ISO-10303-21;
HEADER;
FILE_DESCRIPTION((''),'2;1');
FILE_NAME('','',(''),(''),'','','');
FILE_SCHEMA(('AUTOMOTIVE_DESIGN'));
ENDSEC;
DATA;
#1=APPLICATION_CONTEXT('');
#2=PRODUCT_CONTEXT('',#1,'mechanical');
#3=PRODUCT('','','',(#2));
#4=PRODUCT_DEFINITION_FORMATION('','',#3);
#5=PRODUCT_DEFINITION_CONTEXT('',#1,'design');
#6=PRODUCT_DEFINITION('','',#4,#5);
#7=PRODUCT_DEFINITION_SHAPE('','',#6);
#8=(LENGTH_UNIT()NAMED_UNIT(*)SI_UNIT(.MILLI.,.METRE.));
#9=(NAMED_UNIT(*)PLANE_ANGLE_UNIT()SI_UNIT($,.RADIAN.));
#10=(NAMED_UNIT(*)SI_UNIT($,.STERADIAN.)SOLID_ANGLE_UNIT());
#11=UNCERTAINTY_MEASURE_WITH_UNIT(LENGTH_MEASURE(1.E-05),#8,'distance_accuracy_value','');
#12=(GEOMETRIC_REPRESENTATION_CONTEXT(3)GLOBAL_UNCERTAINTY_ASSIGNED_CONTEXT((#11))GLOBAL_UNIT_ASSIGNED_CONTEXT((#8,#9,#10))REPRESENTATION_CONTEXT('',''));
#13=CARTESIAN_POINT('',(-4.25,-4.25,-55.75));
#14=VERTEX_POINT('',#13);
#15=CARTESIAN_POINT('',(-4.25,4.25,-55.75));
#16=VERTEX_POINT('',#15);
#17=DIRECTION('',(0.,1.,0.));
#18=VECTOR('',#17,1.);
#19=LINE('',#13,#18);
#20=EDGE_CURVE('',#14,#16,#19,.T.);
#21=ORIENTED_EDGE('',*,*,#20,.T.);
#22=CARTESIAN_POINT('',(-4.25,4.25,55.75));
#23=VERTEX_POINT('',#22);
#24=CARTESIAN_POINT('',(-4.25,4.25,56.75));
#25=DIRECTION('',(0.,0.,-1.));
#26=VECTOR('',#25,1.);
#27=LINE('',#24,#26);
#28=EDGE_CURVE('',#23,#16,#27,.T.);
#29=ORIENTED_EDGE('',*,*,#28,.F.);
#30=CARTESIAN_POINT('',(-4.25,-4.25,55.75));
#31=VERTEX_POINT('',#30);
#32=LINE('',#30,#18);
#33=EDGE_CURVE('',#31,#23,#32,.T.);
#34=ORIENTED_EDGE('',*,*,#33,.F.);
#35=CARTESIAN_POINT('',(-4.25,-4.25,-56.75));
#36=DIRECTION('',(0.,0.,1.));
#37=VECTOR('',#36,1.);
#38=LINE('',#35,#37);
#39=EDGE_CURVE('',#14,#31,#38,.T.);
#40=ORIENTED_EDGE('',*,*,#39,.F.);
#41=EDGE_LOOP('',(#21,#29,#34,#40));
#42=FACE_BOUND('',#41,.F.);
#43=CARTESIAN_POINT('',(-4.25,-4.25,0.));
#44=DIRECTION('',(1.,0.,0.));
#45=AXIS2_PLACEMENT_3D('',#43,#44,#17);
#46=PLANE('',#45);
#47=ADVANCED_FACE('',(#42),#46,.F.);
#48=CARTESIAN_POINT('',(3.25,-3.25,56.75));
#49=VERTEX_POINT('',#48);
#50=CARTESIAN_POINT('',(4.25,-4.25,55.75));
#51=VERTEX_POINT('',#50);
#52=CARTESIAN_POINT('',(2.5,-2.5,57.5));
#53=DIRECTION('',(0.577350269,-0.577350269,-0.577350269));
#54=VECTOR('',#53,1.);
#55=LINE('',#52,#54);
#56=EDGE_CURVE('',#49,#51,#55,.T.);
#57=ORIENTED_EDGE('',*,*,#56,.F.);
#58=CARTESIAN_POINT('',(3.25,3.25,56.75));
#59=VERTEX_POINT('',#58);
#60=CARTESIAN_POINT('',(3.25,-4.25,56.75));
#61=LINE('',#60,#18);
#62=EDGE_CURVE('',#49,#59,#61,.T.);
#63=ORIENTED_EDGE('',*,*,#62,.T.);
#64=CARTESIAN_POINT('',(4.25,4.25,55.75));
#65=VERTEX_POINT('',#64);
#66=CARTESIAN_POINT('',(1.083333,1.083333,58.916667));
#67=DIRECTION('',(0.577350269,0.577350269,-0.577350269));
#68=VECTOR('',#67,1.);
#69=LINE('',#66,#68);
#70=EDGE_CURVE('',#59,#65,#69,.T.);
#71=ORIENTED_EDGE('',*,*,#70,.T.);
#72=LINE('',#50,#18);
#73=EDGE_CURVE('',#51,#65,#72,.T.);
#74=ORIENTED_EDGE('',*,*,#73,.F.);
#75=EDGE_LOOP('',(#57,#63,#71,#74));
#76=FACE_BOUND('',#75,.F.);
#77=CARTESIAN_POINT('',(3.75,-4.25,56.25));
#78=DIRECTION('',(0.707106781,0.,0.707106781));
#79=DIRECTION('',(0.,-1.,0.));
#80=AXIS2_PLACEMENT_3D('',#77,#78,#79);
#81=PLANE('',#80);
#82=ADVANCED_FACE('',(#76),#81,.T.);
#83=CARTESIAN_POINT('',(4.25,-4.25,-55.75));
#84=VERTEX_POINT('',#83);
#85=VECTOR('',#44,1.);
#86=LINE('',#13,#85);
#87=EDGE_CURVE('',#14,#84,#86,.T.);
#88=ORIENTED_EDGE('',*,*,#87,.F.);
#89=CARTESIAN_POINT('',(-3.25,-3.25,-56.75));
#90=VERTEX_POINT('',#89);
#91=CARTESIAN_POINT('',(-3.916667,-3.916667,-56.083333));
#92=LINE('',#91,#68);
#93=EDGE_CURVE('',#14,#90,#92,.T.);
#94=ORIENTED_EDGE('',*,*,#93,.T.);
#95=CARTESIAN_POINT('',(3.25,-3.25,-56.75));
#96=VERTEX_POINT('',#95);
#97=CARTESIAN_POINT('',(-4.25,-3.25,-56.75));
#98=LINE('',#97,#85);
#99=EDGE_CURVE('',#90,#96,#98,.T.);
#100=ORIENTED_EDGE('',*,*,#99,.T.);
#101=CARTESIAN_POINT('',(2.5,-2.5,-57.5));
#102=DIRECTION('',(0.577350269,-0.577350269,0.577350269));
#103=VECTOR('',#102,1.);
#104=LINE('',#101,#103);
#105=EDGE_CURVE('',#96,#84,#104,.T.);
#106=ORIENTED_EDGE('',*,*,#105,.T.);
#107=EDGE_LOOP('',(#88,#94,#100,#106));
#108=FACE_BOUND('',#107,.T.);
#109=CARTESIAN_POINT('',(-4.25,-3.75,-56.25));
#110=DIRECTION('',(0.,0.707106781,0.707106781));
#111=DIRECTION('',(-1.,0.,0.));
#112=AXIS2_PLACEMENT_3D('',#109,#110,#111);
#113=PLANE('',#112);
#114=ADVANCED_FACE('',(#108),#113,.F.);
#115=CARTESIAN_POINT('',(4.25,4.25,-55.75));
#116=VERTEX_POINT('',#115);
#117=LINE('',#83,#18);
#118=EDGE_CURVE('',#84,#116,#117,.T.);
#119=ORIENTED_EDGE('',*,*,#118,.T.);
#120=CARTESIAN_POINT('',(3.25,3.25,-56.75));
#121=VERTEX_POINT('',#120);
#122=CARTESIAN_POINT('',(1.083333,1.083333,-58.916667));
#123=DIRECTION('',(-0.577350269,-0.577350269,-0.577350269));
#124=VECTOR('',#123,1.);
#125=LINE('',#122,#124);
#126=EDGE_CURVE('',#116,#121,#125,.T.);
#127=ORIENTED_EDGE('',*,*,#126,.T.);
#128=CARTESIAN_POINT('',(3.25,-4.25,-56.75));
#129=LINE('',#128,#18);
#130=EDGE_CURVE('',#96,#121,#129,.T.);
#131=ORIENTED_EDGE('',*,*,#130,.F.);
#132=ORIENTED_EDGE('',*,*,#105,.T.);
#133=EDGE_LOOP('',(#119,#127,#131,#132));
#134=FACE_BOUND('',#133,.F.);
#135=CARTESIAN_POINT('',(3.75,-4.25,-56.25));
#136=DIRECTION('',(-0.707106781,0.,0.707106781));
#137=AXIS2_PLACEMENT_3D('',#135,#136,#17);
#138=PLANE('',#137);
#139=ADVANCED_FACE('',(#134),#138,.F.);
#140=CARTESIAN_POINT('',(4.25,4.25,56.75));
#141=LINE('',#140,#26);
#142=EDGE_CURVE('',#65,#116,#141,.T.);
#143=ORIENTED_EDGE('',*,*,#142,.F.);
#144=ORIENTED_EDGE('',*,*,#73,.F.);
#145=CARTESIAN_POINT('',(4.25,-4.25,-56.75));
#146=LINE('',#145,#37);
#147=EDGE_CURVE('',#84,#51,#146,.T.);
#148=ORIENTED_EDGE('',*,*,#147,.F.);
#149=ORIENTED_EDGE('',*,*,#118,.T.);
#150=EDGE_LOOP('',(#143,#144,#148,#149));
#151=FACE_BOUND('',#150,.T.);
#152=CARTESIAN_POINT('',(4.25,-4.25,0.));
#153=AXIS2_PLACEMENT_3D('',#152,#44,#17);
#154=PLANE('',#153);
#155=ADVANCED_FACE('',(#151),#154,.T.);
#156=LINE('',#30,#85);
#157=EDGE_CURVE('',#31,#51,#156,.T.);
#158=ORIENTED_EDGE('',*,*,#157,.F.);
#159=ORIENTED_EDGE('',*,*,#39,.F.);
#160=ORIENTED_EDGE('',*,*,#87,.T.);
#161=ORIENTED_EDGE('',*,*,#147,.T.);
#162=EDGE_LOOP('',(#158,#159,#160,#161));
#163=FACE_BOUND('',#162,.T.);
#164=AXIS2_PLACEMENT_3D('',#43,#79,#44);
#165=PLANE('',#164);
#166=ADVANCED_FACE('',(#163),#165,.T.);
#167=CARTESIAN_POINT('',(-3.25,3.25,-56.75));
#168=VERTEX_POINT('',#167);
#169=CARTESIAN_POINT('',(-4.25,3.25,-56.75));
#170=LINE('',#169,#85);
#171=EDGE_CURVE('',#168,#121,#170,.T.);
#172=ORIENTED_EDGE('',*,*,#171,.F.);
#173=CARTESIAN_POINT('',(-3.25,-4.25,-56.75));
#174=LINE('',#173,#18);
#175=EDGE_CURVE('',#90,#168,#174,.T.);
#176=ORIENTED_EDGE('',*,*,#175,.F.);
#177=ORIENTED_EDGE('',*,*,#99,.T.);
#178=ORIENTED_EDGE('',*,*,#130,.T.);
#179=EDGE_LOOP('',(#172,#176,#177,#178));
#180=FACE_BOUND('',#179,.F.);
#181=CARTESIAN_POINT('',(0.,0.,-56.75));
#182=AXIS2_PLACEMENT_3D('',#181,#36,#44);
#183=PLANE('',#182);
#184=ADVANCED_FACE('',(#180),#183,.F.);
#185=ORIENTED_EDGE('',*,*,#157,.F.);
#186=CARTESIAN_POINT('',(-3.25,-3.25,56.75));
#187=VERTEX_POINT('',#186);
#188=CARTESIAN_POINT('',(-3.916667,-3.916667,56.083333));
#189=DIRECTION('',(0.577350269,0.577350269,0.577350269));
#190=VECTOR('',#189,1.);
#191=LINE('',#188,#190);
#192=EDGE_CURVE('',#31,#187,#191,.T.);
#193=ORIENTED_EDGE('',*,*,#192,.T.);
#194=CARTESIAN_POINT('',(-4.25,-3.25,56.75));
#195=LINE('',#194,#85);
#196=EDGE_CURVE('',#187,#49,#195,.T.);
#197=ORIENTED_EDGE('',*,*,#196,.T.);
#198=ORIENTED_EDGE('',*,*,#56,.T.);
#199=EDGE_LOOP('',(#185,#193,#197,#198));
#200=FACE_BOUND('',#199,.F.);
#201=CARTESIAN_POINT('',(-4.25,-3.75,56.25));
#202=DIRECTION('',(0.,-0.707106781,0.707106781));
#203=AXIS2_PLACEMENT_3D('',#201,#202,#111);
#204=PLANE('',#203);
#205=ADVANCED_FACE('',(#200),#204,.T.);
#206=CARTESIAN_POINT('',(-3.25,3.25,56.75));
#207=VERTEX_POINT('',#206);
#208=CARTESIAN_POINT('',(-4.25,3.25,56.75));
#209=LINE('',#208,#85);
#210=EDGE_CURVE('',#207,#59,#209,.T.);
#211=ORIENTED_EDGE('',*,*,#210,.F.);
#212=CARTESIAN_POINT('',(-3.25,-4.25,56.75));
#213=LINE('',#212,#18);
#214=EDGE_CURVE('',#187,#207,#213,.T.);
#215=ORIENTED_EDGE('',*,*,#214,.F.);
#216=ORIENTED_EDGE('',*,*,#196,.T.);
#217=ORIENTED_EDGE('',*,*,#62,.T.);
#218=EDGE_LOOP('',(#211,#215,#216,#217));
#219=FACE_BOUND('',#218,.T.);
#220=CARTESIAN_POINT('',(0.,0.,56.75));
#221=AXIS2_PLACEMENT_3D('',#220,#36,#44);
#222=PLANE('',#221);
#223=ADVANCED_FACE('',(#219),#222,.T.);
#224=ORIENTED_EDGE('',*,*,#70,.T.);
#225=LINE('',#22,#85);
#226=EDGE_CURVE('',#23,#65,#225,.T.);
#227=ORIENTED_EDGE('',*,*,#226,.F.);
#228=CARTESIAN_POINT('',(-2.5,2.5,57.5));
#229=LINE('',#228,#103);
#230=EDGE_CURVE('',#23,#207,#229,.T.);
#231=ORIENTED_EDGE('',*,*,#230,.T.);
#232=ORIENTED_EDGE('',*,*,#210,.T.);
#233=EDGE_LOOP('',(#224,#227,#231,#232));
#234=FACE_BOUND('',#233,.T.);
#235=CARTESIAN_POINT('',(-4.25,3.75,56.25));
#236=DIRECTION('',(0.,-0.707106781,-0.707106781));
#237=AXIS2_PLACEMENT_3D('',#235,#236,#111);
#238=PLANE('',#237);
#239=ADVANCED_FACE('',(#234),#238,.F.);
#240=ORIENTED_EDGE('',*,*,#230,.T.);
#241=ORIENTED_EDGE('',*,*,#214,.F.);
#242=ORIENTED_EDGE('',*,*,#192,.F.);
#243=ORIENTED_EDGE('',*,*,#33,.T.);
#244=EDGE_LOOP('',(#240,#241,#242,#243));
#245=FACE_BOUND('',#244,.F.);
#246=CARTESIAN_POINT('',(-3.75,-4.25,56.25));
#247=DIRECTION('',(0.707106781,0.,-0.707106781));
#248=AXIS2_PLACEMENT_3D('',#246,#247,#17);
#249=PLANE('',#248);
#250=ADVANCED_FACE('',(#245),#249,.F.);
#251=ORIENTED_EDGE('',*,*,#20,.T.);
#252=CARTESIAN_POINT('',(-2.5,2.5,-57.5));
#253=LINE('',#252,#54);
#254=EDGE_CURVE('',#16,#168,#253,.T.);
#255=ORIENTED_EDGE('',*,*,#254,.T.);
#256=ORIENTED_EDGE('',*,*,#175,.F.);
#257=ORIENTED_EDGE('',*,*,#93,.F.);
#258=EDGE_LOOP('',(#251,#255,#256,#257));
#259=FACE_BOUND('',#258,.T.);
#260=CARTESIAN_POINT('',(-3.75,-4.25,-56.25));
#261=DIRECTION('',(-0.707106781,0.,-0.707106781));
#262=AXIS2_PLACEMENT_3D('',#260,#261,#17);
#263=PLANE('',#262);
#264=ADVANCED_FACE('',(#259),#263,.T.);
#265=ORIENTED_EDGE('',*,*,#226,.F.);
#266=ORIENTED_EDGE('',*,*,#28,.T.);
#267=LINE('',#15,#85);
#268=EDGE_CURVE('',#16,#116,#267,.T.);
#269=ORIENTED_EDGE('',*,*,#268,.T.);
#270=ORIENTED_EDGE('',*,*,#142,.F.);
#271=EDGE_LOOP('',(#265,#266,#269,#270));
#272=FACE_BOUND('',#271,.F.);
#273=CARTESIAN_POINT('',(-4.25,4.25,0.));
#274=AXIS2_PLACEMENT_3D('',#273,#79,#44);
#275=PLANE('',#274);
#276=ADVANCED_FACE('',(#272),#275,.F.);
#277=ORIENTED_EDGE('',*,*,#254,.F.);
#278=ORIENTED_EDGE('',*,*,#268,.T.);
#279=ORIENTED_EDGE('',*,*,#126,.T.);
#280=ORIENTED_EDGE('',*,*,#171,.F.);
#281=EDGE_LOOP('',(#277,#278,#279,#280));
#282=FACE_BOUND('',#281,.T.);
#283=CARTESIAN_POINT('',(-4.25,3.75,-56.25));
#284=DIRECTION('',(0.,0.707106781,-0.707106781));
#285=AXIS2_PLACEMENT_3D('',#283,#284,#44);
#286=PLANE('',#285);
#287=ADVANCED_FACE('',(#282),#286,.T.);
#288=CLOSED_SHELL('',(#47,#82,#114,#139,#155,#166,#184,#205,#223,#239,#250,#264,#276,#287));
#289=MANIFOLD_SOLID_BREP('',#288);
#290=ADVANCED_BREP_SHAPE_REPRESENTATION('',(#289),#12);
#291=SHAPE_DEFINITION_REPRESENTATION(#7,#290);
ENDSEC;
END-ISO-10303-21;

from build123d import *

# Parameters (mm, degrees)
F0_W     = 8.5
F0_H     = 8.5
F1_DEPTH = 56.75
F2_SIZE  = 1


with BuildPart() as f1:
    # F0 (on Top) → F1 (new body, symmetric)
    with BuildSketch(Plane.XY):
        Rectangle(F0_W, F0_H)
    extrude(amount=F1_DEPTH, both=True)

    # F2
    f2_edges = [f1.edges().sort_by_distance(p)[0] for p in [
        (-4.25, 0, 56.75),
        (0, -4.25, 56.75),
        (4.25, 0, 56.75),
        (0, 4.25, 56.75),
        (0, 4.25, -56.75),
        (-4.25, 0, -56.75),
        (0, -4.25, -56.75),
        (4.25, 0, -56.75),
    ]]
    chamfer(f2_edges, length=F2_SIZE)


solid = f1.part
